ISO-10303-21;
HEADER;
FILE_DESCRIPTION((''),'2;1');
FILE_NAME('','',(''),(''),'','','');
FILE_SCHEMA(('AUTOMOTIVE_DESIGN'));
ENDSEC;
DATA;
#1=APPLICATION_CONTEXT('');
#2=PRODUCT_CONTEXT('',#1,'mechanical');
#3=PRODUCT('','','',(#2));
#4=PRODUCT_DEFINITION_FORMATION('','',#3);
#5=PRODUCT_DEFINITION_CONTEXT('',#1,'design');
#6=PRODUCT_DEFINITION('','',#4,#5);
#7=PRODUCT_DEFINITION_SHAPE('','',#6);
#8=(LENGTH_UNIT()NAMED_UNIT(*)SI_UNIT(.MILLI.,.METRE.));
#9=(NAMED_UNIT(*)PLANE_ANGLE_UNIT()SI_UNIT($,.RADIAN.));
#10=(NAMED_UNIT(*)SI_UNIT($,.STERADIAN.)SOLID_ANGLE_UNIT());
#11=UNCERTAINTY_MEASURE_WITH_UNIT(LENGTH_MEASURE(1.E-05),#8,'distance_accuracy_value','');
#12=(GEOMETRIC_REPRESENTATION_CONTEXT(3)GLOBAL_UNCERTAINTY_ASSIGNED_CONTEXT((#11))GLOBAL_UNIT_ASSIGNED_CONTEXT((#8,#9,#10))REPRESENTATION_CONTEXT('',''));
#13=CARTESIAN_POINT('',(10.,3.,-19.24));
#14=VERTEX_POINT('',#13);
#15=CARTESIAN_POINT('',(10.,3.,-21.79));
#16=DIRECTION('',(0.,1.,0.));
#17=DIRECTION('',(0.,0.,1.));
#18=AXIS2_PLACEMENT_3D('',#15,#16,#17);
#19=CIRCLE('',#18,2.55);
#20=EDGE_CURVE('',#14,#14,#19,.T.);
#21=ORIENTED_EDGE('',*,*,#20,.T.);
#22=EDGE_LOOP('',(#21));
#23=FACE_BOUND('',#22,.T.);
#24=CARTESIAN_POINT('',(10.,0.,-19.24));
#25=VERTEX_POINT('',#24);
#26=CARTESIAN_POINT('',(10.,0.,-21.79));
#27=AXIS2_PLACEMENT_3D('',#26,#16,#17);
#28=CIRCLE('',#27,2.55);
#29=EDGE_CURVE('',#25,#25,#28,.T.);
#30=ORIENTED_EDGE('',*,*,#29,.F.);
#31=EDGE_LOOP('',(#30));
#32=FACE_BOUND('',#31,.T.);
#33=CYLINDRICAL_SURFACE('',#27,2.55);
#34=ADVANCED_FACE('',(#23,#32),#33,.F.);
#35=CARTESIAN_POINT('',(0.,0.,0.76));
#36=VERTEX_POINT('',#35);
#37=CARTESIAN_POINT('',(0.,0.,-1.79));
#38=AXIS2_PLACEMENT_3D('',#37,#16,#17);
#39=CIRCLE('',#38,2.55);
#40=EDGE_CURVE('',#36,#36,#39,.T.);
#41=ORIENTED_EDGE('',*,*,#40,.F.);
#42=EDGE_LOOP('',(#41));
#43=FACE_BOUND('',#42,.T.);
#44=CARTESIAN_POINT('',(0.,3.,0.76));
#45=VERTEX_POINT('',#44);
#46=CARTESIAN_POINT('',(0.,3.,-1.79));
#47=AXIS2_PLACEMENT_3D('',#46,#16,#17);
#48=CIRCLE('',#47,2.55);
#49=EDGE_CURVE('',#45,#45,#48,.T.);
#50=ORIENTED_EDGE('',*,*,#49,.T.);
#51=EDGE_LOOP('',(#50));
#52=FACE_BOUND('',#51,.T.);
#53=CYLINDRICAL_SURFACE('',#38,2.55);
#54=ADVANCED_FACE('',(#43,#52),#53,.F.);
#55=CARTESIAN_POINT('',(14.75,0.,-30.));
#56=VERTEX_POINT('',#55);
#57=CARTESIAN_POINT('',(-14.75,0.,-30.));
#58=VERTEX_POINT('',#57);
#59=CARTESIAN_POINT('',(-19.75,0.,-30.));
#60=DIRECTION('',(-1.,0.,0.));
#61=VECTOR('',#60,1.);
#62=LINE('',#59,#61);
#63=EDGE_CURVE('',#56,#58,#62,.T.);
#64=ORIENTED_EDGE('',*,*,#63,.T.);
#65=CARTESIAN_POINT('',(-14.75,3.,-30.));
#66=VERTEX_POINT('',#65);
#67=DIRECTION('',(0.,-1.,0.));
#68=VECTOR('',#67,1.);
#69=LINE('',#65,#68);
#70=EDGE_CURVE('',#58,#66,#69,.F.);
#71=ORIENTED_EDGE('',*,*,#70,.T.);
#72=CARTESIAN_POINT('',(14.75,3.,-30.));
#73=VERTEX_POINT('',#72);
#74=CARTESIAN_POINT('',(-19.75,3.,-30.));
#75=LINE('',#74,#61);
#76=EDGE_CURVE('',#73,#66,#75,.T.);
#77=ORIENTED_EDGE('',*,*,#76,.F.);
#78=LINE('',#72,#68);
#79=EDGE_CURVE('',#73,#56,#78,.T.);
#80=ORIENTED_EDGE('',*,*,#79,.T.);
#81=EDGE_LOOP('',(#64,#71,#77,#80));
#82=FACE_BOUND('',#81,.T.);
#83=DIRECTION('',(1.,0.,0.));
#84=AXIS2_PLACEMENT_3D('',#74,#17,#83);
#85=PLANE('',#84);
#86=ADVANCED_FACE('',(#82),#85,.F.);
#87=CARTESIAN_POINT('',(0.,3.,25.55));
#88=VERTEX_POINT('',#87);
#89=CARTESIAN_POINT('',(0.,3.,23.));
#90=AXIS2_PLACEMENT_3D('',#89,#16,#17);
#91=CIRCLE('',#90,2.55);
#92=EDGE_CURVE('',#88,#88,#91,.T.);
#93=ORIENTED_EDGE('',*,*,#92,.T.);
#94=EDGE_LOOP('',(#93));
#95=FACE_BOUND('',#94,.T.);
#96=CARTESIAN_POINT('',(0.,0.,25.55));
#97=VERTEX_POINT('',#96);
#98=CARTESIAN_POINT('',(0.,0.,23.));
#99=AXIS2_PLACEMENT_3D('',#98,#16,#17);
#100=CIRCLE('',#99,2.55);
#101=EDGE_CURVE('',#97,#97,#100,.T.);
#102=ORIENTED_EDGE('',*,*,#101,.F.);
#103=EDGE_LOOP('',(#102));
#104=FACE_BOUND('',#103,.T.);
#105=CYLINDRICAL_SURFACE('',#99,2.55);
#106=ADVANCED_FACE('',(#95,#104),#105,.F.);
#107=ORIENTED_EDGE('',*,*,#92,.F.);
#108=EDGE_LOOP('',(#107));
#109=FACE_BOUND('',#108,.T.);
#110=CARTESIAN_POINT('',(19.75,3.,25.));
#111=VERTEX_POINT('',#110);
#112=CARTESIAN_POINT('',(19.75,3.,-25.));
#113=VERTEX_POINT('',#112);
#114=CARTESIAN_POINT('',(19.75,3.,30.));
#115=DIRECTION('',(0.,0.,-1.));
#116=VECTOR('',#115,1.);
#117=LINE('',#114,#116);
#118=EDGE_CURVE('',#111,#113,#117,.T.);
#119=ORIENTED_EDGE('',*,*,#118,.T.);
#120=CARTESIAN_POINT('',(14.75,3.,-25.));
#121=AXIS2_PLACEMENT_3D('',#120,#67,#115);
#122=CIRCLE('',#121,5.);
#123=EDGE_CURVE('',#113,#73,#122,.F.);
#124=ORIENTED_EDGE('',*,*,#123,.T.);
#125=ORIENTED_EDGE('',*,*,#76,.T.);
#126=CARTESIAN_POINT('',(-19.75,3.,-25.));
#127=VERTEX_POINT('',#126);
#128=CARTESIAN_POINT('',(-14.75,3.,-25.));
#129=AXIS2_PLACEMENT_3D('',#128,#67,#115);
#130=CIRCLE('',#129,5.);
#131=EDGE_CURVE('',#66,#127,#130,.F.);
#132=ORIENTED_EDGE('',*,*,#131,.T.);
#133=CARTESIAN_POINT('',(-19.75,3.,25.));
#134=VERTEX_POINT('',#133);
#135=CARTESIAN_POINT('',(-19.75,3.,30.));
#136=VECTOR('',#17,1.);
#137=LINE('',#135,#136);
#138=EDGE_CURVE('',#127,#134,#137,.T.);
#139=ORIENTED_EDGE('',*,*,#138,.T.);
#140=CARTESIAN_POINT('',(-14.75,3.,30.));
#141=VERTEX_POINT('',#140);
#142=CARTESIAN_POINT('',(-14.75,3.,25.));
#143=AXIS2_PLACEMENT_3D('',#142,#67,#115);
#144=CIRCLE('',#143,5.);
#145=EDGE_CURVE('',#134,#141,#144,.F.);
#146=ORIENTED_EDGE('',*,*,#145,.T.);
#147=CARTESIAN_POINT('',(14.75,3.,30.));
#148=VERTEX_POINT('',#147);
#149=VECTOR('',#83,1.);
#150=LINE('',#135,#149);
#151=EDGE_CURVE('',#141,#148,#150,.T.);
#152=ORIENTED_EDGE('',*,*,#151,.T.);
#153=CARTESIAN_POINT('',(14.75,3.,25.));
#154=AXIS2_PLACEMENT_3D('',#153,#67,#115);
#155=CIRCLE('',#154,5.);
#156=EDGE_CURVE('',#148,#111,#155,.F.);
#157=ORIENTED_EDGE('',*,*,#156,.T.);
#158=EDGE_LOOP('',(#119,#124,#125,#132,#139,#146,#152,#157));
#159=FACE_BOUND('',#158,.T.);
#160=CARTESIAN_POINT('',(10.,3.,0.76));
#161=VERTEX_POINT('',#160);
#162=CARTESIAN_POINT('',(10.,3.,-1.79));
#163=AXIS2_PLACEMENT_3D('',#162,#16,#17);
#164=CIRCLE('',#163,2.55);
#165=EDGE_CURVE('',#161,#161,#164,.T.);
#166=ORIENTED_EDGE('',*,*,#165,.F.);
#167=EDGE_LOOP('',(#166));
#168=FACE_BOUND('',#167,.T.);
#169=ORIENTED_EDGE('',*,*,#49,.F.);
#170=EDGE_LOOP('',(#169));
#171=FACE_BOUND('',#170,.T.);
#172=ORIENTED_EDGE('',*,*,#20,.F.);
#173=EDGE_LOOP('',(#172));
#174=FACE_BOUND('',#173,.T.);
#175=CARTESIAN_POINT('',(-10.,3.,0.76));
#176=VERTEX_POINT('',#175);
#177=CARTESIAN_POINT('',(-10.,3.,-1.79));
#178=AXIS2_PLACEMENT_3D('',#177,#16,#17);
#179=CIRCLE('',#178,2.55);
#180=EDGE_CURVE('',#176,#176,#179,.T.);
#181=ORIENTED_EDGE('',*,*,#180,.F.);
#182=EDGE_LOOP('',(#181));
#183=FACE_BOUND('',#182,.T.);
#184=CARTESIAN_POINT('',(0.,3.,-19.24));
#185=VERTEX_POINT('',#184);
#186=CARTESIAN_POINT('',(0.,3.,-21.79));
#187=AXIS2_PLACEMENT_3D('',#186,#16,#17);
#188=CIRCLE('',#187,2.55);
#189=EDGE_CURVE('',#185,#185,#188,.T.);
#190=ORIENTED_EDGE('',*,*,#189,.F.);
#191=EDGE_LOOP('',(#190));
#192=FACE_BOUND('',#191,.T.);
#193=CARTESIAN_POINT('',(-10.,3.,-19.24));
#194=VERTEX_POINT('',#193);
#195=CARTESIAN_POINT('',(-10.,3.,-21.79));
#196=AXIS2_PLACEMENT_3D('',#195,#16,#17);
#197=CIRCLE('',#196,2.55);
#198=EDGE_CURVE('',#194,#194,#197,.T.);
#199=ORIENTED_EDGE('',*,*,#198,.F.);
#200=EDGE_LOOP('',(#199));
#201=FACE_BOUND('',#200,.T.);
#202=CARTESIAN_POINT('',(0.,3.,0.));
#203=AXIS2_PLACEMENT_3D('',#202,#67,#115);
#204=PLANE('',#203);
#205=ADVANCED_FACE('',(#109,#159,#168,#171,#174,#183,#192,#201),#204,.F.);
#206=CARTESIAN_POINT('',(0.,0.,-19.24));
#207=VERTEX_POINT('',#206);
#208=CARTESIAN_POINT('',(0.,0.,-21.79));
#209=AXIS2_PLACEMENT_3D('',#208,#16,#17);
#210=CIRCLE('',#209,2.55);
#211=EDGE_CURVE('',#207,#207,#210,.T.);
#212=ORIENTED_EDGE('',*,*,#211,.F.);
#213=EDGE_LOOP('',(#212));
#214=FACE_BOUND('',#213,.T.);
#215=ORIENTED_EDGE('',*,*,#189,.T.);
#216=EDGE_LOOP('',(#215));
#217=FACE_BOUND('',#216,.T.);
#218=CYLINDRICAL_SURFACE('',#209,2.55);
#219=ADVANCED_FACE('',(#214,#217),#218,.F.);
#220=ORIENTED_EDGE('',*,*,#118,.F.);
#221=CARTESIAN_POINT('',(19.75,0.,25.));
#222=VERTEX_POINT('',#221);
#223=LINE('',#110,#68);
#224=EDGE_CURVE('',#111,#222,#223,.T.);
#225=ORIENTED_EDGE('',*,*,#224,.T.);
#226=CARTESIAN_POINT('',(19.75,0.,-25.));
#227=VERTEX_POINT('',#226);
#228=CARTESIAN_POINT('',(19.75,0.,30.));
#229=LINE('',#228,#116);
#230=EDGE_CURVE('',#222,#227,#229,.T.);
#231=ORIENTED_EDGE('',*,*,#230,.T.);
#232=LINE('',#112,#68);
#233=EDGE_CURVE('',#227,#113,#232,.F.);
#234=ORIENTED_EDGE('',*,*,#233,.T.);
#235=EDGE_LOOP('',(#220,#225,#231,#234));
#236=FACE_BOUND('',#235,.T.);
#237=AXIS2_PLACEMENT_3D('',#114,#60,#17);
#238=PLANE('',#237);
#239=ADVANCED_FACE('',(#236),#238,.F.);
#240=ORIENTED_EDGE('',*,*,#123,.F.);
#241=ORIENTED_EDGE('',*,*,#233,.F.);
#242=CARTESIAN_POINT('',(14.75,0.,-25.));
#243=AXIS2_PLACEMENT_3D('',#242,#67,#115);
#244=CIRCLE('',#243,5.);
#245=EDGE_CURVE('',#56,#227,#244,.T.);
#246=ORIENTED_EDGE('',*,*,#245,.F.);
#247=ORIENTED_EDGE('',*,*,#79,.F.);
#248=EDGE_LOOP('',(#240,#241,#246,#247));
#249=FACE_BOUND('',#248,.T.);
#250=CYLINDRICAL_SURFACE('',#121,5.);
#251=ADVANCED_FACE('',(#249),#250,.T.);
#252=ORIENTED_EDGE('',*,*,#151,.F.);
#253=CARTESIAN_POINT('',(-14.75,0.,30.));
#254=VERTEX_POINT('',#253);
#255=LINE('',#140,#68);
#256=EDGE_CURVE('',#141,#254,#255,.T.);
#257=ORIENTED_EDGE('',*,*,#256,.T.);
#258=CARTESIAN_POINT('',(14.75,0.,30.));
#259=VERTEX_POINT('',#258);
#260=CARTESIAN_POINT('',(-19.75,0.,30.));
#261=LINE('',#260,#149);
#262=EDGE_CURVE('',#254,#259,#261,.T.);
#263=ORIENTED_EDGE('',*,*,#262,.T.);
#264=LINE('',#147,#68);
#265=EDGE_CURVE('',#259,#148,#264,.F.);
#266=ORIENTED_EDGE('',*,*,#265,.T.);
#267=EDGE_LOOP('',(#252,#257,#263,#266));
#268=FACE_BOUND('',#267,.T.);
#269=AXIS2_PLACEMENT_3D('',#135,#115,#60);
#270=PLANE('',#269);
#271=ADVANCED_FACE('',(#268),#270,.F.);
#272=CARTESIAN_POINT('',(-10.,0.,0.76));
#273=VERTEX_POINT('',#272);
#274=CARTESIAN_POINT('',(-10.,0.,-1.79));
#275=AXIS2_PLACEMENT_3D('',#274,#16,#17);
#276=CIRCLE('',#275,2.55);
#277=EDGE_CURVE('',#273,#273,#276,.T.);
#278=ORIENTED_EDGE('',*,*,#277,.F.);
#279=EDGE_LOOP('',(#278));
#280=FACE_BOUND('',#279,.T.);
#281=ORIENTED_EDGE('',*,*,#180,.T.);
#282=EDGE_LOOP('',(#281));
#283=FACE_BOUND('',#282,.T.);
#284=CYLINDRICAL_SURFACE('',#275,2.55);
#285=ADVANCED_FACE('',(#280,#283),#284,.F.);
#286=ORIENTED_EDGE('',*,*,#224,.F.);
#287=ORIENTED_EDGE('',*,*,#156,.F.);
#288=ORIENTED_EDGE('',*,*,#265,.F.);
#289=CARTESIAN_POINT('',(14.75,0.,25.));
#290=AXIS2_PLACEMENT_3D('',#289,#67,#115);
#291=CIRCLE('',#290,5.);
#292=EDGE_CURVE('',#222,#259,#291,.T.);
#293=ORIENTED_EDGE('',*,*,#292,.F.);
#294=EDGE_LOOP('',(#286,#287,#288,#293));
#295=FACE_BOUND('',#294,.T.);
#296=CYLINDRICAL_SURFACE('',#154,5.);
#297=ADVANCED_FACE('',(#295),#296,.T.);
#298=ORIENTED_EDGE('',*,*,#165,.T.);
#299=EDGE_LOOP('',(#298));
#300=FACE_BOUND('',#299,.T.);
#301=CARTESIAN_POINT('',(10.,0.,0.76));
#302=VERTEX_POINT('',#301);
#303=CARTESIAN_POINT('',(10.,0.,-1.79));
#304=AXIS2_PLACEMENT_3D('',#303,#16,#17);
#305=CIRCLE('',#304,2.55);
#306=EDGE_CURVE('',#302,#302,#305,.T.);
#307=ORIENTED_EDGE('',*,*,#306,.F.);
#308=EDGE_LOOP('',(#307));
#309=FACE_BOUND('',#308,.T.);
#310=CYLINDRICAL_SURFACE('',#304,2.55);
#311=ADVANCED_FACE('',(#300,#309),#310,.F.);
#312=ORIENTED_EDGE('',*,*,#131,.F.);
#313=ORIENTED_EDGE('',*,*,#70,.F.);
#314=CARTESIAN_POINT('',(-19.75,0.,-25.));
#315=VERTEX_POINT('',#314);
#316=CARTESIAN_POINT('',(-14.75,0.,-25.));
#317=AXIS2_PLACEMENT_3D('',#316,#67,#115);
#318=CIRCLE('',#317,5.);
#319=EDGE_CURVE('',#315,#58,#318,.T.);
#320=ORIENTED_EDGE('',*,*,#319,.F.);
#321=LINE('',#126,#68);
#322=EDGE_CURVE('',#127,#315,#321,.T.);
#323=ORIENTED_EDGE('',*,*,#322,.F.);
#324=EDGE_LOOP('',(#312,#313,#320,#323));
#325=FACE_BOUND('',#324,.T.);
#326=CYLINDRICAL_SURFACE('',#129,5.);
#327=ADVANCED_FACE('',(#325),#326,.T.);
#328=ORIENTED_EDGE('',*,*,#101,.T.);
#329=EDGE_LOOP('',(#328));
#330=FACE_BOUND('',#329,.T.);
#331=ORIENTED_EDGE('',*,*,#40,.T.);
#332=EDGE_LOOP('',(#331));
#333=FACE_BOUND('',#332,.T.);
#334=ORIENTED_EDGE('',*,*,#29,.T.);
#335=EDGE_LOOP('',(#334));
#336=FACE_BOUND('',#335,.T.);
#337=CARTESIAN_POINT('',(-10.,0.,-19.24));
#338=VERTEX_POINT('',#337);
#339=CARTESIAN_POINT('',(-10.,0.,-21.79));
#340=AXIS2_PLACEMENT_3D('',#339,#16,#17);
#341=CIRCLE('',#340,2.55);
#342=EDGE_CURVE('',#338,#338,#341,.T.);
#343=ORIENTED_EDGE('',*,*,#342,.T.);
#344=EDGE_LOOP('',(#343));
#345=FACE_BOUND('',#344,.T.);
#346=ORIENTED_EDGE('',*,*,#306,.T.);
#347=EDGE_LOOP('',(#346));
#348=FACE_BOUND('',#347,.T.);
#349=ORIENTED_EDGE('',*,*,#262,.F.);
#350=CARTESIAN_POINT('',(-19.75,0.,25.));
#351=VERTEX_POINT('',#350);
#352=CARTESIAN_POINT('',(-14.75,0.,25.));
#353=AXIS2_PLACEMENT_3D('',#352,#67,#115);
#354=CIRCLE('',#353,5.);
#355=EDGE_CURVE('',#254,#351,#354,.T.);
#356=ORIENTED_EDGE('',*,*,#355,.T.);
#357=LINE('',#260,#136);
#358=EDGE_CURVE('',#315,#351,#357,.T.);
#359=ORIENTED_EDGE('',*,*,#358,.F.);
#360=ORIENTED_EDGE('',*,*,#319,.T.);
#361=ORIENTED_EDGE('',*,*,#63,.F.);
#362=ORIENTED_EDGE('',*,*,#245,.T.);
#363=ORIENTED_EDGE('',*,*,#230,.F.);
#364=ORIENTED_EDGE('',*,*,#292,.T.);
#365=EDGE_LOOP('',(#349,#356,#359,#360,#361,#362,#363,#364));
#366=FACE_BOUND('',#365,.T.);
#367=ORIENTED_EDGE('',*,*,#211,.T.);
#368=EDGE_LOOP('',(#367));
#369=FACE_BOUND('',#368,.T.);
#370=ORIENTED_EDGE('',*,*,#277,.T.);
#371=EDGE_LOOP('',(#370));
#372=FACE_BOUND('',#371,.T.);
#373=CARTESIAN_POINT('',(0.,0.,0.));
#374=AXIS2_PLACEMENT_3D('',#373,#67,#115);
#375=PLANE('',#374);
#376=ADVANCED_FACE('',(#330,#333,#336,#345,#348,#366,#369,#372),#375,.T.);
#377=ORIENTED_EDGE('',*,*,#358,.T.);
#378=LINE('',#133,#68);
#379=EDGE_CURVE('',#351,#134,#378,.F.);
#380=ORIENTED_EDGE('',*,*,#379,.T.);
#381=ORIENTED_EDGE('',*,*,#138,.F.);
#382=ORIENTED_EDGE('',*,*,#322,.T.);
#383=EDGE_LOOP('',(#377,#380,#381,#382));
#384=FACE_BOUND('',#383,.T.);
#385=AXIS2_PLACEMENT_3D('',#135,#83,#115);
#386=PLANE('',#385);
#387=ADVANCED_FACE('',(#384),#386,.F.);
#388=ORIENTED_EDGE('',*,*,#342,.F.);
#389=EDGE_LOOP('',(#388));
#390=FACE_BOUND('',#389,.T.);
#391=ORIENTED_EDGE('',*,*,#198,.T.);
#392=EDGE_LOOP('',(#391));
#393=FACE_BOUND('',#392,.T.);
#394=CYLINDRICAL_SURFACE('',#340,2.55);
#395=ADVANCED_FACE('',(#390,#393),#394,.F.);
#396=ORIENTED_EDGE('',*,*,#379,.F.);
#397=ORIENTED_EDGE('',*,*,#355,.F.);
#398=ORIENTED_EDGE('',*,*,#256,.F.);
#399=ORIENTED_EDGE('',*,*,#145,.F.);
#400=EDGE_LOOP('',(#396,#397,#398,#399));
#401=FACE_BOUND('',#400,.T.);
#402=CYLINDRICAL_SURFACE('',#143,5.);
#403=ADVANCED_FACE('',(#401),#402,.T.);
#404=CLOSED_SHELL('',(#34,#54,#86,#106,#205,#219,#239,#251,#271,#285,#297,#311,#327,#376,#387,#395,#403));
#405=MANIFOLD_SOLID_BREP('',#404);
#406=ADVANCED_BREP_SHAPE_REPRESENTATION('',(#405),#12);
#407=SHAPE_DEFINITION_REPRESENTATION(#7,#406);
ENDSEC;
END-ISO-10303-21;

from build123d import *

# Parameters (mm, degrees)
SKETCH1_W                 = 39.5
SKETCH1_H                 = 60
BOSS_EXTRUDE1_DEPTH       = 3
SKETCH2_R                 = 2.55
CUT_EXTRUDE1_DEPTH        = 4
SKETCH4_R                 = 2.55
CUT_EXTRUDE2_DEPTH        = 4
LPATTERN1_COUNT           = 2
LPATTERN1_PITCH           = 10
LPATTERN1_COL_COUNT       = 2
LPATTERN1_COL_PITCH       = 10
LPATTERN2_COUNT           = 2
LPATTERN2_PITCH           = 20
LPATTERN2_COPY_1_SKETCH_R = 2.55
LPATTERN2_COPY_1_DEPTH    = 4
LPATTERN2_COPY_2_SKETCH_R = 2.55
LPATTERN2_COPY_2_DEPTH    = 4
FILLET1_R                 = 5
FILLET2_R                 = 5
FILLET3_R                 = 5
FILLET4_R                 = 5


with BuildPart() as part:
    # Sketch1 → Boss-Extrude1 (new body)
    with BuildSketch(Plane(origin=(0, 0, 0), x_dir=(1, 0, 0), z_dir=(0, 1, 0))):
        Rectangle(SKETCH1_W, SKETCH1_H)
    extrude(amount=BOSS_EXTRUDE1_DEPTH)

    # Sketch2 → Cut-Extrude1 (cut, through all)
    with BuildSketch(Plane(origin=(0, 3, 0), x_dir=(1, 0, 0), z_dir=(0, 1, 0))):
        with Locations((0, 21.79)):
            Circle(SKETCH2_R)
    cut_extrude1 = extrude(amount=-CUT_EXTRUDE1_DEPTH, mode=Mode.SUBTRACT)

    # Sketch4 → Cut-Extrude2 (cut, through all)
    with BuildSketch(Plane(origin=(0, 3, 0), x_dir=(1, 0, 0), z_dir=(0, 1, 0))):
        with Locations((0, -23)):
            Circle(SKETCH4_R)
    extrude(amount=-CUT_EXTRUDE2_DEPTH, mode=Mode.SUBTRACT)

    # LPattern1: Cut-Extrude1 ×2
    with Locations(*[(-i * LPATTERN1_PITCH, 0, 0) for i in range(1, LPATTERN1_COUNT)]):
        add(cut_extrude1, mode=Mode.SUBTRACT)

    # LPattern1 col: Cut-Extrude1 ×2
    with Locations(*[(i * LPATTERN1_COL_PITCH, 0, 0) for i in range(1, LPATTERN1_COL_COUNT)]):
        add(cut_extrude1, mode=Mode.SUBTRACT)

    # LPattern2: Cut-Extrude1 ×2
    with Locations(*[(0, 0, i * LPATTERN2_PITCH) for i in range(1, LPATTERN2_COUNT)]):
        add(cut_extrude1, mode=Mode.SUBTRACT)

    # LPattern2 copy 1 sketch → LPattern2 copy 1 (cut, through all)
    with BuildSketch(Plane(origin=(-10, 3, 20), x_dir=(1, 0, 0), z_dir=(0, 1, 0))):
        with Locations((0, 21.79)):
            Circle(LPATTERN2_COPY_1_SKETCH_R)
    extrude(amount=-LPATTERN2_COPY_1_DEPTH, mode=Mode.SUBTRACT)

    # LPattern2 copy 2 sketch → LPattern2 copy 2 (cut, through all)
    with BuildSketch(Plane(origin=(10, 3, 20), x_dir=(1, 0, 0), z_dir=(0, 1, 0))):
        with Locations((0, 21.79)):
            Circle(LPATTERN2_COPY_2_SKETCH_R)
    extrude(amount=-LPATTERN2_COPY_2_DEPTH, mode=Mode.SUBTRACT)

    # Fillet1
    fillet1_edges = [part.edges().sort_by_distance(p)[0] for p in [
        (-19.75, 1.5, 30),
    ]]
    fillet(fillet1_edges, radius=FILLET1_R)

    # Fillet2
    fillet2_edges = [part.edges().sort_by_distance(p)[0] for p in [
        (19.75, 1.5, -30),
    ]]
    fillet(fillet2_edges, radius=FILLET2_R)

    # Fillet3
    fillet3_edges = [part.edges().sort_by_distance(p)[0] for p in [
        (19.75, 1.5, 30),
    ]]
    fillet(fillet3_edges, radius=FILLET3_R)

    # Fillet4
    fillet4_edges = [part.edges().sort_by_distance(p)[0] for p in [
        (-19.75, 1.5, -30),
    ]]
    fillet(fillet4_edges, radius=FILLET4_R)


solid = part.part
